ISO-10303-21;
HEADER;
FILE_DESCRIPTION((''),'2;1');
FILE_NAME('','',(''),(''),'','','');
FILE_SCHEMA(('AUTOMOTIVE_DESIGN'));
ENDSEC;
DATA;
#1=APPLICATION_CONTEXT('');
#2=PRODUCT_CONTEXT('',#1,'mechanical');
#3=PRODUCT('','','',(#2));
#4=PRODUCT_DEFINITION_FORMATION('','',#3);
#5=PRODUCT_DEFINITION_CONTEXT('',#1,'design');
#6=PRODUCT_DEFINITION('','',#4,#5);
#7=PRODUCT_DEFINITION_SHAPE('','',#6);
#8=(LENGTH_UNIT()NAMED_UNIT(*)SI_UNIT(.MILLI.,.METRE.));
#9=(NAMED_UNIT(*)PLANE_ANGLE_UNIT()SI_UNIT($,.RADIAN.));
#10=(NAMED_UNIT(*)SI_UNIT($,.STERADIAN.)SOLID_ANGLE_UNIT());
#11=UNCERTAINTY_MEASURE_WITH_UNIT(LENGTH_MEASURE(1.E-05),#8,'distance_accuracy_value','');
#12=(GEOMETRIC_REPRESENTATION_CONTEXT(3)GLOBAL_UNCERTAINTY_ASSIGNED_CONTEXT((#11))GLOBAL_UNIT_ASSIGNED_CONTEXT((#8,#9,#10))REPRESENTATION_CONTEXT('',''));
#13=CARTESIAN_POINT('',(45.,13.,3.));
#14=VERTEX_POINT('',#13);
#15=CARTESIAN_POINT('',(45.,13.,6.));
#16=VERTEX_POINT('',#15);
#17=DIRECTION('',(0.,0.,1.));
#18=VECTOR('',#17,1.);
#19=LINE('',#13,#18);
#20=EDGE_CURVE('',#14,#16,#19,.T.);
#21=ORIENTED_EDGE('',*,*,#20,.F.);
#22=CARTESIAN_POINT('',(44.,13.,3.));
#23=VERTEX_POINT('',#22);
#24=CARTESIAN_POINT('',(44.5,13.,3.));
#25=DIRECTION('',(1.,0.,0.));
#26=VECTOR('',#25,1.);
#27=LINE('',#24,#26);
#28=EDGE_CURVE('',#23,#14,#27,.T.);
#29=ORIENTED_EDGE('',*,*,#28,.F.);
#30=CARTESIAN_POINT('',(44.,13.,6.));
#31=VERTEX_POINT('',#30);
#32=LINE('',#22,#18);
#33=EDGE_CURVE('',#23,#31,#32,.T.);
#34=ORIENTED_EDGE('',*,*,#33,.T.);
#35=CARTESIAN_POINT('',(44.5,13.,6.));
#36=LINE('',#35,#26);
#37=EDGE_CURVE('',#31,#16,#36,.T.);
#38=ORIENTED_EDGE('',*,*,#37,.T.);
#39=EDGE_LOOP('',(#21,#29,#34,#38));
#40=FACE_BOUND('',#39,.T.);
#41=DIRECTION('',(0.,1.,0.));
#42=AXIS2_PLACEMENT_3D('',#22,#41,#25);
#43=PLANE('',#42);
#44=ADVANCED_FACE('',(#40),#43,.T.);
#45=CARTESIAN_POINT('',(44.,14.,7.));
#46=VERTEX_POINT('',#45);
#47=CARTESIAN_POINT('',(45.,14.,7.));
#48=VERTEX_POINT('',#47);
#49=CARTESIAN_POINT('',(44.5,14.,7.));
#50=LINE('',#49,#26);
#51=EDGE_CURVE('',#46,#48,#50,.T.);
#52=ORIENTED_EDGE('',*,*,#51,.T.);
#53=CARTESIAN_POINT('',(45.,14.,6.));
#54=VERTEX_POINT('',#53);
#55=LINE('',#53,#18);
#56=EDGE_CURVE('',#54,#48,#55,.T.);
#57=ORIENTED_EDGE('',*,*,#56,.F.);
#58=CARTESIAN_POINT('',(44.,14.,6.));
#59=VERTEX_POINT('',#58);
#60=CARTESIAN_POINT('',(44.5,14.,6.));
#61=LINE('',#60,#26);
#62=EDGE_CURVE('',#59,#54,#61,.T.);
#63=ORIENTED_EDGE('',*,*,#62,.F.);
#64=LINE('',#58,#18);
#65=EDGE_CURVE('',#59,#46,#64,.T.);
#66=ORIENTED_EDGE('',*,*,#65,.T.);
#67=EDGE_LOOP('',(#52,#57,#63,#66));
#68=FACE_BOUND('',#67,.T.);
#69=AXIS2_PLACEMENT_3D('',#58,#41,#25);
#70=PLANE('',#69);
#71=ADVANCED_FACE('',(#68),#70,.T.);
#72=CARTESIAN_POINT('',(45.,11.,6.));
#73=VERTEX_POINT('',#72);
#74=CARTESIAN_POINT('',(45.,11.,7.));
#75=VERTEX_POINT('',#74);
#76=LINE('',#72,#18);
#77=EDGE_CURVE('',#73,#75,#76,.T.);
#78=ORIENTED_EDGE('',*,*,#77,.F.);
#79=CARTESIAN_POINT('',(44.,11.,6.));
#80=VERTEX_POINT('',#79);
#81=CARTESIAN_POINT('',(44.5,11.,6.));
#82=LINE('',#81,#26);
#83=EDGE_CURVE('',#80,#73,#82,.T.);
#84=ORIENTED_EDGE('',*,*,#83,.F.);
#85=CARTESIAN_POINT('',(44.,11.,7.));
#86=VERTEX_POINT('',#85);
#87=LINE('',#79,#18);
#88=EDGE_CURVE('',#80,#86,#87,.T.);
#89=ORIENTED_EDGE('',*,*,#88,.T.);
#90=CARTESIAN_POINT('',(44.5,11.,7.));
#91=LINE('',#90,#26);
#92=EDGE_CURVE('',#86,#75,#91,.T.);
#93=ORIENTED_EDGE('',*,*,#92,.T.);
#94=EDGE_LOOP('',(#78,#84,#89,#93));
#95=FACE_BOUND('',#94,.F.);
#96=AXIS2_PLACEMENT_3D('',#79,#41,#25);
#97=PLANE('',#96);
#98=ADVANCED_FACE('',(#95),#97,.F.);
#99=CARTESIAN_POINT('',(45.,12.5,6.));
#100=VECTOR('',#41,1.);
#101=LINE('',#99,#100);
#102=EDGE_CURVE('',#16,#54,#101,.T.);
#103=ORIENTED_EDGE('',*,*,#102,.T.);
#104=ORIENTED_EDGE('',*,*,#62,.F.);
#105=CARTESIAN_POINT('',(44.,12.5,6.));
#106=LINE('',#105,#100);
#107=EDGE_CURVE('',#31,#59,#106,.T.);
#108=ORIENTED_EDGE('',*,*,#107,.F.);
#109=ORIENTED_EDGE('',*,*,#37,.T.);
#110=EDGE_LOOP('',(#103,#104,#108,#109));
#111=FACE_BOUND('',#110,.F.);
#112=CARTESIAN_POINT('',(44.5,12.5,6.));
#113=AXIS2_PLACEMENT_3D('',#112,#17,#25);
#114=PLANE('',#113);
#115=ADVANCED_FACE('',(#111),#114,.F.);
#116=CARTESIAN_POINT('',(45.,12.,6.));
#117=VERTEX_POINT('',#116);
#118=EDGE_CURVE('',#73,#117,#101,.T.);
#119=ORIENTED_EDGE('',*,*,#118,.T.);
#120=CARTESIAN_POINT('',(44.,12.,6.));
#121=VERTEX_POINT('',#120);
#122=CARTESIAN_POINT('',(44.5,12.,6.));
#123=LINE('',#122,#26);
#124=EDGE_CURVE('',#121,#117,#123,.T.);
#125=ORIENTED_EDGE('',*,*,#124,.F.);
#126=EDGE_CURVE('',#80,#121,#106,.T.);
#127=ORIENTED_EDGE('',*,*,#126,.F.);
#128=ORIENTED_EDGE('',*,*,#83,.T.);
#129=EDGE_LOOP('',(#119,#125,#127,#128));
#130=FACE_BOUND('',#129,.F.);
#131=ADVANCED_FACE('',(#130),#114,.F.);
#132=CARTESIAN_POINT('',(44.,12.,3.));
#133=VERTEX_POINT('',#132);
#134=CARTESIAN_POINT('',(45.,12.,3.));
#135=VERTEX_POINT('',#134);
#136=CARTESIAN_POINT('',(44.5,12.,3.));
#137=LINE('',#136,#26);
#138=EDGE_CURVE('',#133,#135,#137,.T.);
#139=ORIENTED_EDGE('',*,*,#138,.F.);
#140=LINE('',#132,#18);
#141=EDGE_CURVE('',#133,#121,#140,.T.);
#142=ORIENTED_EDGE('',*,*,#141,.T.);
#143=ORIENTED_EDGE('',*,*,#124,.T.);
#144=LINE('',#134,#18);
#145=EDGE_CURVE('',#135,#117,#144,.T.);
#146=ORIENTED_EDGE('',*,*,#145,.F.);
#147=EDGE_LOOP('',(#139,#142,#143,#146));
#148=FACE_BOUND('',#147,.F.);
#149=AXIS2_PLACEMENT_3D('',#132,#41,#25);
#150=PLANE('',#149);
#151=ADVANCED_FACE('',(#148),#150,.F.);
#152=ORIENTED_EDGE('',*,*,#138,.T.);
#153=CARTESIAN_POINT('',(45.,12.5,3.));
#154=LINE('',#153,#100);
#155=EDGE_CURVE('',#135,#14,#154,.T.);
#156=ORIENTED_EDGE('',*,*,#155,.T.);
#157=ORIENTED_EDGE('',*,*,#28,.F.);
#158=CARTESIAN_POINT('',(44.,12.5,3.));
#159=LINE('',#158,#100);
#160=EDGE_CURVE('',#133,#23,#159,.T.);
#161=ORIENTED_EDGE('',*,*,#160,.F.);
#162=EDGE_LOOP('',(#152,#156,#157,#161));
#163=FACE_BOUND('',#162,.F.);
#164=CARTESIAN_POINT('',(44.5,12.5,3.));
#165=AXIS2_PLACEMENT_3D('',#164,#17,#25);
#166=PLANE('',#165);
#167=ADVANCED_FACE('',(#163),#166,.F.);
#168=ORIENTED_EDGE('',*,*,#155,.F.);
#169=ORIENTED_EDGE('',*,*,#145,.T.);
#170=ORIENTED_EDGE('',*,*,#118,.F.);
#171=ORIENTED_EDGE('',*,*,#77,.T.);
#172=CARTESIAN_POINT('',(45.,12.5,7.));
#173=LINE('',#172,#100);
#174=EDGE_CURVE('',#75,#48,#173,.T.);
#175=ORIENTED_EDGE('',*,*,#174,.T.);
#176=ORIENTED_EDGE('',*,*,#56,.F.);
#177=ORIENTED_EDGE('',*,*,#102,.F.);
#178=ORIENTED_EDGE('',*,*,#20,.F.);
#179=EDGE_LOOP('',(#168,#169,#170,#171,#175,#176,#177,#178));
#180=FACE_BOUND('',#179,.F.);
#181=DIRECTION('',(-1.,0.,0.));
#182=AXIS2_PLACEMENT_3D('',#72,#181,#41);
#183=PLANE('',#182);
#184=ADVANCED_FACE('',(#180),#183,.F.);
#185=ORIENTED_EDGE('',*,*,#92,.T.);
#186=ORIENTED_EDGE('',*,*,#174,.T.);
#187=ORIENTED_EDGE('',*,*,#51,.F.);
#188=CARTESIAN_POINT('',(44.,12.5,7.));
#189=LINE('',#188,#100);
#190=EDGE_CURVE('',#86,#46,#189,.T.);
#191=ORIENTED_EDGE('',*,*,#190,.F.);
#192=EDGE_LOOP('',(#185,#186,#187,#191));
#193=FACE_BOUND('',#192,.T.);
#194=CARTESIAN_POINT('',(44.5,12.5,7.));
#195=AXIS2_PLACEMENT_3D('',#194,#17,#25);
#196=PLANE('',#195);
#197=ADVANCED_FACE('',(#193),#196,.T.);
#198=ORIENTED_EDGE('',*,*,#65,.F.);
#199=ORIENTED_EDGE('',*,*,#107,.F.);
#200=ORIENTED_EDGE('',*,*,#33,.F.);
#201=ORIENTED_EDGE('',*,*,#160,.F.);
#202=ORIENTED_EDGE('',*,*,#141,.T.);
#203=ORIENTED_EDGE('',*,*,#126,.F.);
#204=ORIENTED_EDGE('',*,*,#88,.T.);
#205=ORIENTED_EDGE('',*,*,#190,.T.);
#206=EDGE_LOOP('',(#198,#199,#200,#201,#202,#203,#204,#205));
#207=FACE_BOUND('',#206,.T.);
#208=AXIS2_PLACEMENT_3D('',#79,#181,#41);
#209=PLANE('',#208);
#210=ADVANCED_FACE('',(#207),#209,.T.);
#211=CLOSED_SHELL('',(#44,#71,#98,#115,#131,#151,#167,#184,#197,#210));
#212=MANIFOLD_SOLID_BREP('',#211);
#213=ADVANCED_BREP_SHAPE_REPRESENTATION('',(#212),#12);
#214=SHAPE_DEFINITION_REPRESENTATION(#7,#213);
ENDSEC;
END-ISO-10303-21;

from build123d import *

# Parameters (mm, degrees)
BOX079_W     = 1
BOX079_H     = 1
BOX079_DEPTH = 3
BOX081_W     = 1
BOX081_H     = 3
BOX081_DEPTH = 1


with BuildPart() as box079:
    # Box079 → Box079 (new body)
    with BuildSketch(Plane(origin=(44, 12, 3), x_dir=(1, 0, 0), z_dir=(0, 0, 1))):
        with Locations((0.5, 0.5)):
            Rectangle(BOX079_W, BOX079_H)
    extrude(amount=BOX079_DEPTH)


with BuildPart() as fusion036:
    # Box081 → Box081 (new body)
    with BuildSketch(Plane(origin=(44, 11, 6), x_dir=(1, 0, 0), z_dir=(0, 0, 1))):
        with Locations((0.5, 1.5)):
            Rectangle(BOX081_W, BOX081_H)
    extrude(amount=BOX081_DEPTH)

    # Fusion036: union Box079
    add(box079.part)


solid = fusion036.part
